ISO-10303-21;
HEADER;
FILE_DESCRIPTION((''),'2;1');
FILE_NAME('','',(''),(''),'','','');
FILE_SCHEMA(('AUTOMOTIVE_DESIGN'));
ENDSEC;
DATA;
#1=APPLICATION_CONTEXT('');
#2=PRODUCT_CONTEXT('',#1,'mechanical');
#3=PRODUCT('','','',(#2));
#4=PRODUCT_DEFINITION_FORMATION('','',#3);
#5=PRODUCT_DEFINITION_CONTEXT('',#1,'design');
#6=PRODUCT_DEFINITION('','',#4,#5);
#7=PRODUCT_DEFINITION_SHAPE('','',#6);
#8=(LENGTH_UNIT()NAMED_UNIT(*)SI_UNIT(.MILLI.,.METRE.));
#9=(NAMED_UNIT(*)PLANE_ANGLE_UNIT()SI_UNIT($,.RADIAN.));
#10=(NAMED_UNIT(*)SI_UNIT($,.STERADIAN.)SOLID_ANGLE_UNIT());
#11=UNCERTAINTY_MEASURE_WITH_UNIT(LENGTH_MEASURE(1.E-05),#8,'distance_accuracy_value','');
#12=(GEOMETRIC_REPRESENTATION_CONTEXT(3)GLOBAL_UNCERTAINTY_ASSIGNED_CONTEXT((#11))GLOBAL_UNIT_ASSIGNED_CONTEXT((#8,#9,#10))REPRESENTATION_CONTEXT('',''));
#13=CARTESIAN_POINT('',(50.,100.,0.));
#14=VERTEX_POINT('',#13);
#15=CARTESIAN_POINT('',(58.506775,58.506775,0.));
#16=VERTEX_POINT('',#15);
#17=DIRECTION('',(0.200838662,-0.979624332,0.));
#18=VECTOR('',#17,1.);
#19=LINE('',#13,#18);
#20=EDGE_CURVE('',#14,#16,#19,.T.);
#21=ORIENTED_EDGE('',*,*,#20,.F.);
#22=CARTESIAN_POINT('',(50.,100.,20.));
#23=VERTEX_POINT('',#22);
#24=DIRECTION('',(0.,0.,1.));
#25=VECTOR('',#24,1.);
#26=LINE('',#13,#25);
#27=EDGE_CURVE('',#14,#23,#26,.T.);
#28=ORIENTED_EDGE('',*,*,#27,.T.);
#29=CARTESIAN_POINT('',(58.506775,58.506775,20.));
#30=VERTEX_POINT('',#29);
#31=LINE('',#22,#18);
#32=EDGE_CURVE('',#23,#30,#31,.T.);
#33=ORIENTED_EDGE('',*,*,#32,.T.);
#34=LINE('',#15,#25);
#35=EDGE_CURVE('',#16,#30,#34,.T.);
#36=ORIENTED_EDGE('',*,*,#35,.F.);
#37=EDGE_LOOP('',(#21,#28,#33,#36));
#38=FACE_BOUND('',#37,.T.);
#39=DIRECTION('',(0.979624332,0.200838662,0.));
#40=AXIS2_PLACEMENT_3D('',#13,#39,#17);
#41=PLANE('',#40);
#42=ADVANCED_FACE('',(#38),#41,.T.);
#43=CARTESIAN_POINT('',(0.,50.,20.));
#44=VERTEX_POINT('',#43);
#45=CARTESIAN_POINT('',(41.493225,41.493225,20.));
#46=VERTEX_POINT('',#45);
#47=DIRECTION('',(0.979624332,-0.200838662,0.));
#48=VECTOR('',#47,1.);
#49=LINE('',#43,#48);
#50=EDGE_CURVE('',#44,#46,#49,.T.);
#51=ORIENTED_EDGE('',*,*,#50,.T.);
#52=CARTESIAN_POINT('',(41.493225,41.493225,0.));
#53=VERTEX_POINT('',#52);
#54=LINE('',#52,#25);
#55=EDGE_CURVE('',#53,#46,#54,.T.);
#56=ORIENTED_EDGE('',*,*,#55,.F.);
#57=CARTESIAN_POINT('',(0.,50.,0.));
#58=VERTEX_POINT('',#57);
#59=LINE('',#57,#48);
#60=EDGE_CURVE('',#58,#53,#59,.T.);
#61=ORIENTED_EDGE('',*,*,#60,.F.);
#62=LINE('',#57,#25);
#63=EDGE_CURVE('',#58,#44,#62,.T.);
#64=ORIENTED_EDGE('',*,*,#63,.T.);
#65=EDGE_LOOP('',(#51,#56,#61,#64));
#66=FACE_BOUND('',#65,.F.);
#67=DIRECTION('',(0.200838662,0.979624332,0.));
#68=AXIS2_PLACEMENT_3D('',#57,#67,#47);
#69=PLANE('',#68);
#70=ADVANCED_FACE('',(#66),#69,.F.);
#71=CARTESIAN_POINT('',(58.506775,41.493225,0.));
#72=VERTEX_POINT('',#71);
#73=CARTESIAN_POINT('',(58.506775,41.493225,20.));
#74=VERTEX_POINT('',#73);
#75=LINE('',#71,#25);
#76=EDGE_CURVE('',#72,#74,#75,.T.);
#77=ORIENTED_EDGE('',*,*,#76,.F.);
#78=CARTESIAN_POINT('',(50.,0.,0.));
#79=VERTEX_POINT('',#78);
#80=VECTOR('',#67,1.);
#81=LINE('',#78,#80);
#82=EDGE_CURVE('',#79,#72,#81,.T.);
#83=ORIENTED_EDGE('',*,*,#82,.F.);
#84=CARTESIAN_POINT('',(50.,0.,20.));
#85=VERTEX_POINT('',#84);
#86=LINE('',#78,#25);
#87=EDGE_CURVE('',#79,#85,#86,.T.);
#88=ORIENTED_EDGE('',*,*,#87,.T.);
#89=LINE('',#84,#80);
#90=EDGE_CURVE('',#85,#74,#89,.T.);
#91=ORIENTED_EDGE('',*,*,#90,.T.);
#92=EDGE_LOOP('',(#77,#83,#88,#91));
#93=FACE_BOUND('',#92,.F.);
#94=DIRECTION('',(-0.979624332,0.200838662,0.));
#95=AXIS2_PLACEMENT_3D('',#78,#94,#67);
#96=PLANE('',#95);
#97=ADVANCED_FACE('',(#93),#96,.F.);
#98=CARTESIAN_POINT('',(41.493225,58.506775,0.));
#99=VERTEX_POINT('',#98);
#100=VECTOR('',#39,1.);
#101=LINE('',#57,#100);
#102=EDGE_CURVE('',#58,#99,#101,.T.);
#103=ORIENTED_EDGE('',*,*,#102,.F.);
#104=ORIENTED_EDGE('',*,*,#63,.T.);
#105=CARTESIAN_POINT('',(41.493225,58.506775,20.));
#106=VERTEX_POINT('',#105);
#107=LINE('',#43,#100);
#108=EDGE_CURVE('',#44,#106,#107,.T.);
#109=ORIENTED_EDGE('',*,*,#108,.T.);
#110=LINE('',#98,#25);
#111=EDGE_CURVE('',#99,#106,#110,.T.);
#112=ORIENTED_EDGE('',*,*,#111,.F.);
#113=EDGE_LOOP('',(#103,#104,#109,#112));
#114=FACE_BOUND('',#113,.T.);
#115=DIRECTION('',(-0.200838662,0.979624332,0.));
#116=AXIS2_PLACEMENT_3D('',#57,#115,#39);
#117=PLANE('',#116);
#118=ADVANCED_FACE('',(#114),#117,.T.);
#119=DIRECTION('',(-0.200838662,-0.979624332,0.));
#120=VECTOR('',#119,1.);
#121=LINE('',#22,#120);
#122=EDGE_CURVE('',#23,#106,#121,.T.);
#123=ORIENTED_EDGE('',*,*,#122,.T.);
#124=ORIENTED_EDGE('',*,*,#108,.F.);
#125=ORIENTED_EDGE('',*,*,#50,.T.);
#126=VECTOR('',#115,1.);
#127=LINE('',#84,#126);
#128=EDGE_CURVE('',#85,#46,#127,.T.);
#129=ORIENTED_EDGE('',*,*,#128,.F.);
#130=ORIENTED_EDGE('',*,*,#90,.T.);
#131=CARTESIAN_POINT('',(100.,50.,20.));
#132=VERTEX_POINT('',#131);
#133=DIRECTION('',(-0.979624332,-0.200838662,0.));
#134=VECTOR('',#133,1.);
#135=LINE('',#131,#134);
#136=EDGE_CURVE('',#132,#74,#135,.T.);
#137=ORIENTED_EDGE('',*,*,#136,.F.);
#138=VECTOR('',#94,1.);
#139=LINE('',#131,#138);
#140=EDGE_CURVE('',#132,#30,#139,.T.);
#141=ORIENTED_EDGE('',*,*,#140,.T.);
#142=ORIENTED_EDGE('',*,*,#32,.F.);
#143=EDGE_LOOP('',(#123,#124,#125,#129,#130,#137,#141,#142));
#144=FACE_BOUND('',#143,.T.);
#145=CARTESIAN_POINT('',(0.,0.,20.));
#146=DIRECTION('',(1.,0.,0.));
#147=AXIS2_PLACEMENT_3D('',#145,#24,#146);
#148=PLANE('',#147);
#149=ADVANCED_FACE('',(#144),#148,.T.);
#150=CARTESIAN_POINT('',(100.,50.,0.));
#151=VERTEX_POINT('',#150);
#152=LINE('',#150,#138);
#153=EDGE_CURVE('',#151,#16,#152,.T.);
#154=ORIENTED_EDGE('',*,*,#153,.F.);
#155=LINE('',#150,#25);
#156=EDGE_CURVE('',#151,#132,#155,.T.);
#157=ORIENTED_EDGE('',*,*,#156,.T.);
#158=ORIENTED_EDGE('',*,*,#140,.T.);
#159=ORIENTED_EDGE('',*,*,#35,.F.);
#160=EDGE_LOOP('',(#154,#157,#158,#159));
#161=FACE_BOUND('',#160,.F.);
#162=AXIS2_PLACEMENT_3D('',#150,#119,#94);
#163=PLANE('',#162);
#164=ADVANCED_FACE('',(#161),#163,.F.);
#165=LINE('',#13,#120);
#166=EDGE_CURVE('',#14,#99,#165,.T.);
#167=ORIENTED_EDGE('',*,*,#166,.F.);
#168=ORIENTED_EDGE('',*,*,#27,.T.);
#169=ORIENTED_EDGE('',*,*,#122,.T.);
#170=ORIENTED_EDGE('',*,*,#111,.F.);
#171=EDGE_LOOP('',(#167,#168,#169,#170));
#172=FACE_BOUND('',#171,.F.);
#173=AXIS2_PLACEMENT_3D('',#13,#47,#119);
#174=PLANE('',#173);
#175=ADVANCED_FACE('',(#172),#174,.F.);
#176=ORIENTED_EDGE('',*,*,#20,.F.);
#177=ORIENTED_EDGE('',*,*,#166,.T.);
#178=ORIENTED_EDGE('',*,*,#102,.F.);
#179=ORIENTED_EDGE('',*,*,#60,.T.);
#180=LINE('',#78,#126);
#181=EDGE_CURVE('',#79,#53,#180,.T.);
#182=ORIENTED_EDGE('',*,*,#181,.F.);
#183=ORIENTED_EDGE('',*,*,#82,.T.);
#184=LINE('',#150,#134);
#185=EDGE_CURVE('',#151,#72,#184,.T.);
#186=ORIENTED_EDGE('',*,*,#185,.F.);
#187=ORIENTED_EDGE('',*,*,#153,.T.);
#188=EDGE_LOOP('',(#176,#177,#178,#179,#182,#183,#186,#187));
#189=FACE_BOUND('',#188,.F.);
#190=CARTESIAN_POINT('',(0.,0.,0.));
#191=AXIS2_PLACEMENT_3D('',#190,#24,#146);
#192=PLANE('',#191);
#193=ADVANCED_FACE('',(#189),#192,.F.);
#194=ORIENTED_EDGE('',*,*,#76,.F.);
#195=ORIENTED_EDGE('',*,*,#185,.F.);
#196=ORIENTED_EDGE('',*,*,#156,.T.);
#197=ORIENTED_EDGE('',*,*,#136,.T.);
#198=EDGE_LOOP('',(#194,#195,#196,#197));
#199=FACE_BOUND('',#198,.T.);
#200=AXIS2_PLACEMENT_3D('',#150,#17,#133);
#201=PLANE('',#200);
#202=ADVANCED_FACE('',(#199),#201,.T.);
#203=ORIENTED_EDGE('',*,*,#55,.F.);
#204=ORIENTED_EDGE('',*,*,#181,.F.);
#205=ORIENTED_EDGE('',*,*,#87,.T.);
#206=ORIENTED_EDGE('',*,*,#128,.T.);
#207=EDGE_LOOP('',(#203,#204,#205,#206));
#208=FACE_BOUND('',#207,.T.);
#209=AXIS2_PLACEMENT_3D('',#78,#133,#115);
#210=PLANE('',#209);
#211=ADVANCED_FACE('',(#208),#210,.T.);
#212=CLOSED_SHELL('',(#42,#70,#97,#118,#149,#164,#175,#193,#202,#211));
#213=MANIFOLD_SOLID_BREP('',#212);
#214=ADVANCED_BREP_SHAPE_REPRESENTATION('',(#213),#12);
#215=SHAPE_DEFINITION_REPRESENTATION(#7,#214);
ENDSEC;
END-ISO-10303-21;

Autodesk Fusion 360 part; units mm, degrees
sketch "Sketch1" plane through (0, 0, 0) normal (0, 0, 1) x (1, 0, 0)
  line L0 (50, 0) -> (50, 50)
  line L1 (50, 50) -> (50, 100)
  line L2 (50, 50) -> (100, 50)
  line L3 (50, 50) -> (0, 50)
  line L4 (100, 50) -> (50, 60.2508)
  line L5 (50, 100) -> (60.2508, 50)
  line L6 (50, 100) -> (39.7492, 50)
  line L7 (0, 50) -> (50, 60.2508)
  line L8 (0, 50) -> (50, 39.7492)
  line L9 (50, 0) -> (39.7492, 50)
  line L10 (50, 0) -> (60.2508, 50)
  line L11 (100, 50) -> (50, 39.7492)
extrude "Extrude1" add sketch "Sketch1" along normal blind 20
